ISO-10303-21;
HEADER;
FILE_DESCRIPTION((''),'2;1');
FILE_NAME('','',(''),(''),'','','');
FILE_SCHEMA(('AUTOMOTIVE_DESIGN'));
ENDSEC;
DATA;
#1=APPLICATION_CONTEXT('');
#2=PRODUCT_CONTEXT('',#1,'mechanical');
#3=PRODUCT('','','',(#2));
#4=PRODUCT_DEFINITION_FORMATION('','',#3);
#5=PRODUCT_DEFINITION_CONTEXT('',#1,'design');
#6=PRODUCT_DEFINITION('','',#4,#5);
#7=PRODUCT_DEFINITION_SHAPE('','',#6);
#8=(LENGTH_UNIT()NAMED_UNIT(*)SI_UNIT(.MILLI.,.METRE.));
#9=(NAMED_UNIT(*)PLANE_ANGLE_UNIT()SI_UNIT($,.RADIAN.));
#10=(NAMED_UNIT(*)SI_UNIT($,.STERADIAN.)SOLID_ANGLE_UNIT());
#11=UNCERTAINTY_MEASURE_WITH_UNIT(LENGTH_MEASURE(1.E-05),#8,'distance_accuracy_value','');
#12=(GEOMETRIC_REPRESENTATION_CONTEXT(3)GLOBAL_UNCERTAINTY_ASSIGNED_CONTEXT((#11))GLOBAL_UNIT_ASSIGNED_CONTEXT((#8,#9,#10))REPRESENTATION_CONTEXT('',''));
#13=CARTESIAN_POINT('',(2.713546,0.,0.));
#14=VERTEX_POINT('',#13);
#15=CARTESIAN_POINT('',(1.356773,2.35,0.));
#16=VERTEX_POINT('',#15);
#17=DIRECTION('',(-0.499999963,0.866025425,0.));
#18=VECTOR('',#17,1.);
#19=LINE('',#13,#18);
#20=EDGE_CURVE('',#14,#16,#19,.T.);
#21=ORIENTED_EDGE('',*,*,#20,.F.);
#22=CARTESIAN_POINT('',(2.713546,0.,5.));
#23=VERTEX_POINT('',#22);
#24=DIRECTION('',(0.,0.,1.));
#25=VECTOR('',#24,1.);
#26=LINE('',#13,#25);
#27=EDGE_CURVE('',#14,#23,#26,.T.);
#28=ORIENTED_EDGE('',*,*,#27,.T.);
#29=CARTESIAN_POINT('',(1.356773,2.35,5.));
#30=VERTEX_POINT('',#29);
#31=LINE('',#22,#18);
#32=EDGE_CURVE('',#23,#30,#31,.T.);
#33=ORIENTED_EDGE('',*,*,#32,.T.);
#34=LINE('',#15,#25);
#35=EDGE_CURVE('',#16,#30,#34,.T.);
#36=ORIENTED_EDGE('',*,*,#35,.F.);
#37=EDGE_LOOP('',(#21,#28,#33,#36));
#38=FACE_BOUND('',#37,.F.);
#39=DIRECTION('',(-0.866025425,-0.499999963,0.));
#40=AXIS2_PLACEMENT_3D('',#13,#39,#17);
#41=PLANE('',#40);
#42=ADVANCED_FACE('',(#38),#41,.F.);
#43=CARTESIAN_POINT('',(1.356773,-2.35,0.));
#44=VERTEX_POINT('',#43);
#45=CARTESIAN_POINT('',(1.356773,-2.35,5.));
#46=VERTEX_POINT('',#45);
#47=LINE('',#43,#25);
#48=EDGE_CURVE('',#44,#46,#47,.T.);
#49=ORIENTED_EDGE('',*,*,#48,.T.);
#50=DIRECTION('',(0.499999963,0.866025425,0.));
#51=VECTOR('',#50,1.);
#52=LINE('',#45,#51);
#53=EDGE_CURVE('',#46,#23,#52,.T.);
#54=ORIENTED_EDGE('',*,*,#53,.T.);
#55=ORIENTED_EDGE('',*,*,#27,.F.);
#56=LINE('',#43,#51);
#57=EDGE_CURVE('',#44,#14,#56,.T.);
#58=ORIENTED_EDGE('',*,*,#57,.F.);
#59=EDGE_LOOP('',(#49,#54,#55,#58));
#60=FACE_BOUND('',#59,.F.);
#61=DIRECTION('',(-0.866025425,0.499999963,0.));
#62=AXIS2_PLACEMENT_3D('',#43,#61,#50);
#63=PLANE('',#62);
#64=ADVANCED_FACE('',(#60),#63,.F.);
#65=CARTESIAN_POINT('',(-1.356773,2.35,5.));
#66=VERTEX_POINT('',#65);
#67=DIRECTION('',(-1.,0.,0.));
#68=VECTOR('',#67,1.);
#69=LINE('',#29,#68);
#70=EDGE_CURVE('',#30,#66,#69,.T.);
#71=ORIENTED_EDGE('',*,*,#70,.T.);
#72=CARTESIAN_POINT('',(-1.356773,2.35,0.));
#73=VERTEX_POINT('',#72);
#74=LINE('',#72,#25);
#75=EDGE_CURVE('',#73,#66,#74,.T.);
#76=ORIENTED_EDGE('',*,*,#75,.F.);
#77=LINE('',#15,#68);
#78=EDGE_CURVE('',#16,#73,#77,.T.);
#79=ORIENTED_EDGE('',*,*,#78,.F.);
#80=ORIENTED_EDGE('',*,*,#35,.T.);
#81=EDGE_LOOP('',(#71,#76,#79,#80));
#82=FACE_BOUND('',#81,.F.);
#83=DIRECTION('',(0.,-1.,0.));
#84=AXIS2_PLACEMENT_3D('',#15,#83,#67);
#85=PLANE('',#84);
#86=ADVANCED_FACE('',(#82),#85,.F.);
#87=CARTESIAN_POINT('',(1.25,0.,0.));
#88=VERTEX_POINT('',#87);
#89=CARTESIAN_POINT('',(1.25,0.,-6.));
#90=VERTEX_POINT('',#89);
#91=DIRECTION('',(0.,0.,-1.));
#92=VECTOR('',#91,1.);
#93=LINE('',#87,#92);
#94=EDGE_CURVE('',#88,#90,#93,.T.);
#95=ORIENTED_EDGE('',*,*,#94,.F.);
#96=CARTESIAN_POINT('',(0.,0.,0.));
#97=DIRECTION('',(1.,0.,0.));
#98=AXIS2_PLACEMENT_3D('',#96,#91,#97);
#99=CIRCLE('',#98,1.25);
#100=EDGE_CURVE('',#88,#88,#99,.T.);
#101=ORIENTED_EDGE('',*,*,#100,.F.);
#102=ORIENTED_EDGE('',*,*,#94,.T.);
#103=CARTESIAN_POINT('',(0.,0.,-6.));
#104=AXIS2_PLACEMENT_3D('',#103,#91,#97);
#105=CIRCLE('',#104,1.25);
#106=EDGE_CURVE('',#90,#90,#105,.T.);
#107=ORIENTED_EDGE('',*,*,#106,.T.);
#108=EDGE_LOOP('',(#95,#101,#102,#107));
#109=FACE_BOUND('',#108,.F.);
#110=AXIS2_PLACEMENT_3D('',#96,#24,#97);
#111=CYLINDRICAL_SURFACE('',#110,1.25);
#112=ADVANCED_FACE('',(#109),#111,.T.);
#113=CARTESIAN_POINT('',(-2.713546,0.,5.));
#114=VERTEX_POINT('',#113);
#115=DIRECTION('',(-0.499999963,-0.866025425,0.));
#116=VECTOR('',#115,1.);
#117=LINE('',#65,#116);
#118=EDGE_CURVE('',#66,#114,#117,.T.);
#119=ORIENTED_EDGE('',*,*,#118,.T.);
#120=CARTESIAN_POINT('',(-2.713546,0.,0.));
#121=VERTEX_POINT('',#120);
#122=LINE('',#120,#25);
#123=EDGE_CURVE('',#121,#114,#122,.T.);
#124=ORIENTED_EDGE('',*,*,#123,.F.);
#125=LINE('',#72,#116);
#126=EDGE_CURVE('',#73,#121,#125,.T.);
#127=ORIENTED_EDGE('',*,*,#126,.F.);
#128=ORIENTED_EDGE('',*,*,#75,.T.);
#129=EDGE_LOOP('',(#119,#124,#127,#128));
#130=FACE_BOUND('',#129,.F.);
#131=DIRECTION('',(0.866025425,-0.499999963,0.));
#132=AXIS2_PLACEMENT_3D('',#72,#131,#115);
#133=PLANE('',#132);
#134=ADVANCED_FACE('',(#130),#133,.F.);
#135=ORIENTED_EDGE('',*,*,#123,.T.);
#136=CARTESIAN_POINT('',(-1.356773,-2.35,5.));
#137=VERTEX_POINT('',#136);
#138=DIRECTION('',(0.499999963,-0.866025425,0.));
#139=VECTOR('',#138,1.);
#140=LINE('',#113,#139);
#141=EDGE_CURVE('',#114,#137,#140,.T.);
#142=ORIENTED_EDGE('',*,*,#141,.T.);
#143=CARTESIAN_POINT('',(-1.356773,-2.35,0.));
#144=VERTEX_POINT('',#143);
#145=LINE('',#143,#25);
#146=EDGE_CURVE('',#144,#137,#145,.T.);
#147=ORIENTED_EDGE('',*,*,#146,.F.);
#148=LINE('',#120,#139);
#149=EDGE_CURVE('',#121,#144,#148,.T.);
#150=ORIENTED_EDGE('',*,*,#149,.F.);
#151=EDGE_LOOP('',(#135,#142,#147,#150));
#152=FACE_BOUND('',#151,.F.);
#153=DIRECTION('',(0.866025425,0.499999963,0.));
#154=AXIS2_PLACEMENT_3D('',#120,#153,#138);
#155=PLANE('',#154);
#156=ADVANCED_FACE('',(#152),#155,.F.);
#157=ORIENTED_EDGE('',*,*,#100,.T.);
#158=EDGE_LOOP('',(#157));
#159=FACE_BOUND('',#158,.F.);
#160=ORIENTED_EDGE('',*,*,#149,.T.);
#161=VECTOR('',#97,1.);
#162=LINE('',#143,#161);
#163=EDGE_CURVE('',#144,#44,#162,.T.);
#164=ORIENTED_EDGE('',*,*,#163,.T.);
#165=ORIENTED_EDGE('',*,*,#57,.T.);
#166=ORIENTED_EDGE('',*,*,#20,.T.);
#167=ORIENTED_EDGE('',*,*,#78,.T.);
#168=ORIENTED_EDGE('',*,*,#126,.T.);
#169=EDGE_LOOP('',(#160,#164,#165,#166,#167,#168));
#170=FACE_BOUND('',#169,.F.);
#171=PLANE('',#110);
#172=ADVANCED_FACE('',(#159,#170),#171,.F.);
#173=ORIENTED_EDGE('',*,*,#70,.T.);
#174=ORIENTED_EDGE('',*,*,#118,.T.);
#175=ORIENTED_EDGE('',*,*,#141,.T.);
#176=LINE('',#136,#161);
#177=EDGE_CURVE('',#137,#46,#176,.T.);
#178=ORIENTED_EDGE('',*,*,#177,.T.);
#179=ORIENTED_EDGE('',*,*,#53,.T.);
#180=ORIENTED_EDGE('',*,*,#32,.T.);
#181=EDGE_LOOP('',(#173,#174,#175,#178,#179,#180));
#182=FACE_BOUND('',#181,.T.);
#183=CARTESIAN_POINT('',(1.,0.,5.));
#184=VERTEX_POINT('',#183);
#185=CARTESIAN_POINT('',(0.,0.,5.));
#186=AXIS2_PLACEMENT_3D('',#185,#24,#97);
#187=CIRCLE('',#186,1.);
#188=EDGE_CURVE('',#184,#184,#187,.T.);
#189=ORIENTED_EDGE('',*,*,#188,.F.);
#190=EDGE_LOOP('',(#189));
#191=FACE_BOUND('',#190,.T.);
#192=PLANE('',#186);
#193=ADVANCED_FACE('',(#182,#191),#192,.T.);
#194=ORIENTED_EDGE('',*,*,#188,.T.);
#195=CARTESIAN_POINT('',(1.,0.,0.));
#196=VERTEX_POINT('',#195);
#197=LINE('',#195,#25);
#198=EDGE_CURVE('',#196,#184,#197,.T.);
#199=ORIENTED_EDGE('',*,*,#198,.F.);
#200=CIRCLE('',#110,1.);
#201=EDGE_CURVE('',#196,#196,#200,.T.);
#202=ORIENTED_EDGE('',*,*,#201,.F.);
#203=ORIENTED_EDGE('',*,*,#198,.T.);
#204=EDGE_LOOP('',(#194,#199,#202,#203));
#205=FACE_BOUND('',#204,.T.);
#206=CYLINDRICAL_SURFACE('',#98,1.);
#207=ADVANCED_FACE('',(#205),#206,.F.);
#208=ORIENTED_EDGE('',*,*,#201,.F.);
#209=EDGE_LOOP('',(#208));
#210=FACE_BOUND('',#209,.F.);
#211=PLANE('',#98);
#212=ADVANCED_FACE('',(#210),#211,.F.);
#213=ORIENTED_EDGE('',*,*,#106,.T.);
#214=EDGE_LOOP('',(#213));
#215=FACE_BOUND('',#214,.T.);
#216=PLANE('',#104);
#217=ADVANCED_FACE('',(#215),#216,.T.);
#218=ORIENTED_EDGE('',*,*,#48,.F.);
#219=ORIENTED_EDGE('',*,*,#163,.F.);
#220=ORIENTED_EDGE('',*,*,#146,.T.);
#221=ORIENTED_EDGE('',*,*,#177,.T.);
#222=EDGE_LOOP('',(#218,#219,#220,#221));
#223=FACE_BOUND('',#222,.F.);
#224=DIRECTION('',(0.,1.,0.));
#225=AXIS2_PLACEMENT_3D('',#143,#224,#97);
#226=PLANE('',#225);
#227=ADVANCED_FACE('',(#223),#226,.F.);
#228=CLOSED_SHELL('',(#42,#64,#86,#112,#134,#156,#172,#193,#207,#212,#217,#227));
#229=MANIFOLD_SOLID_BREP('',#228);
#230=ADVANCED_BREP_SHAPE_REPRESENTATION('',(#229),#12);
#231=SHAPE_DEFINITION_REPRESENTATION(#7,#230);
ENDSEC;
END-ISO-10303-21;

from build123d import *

# Parameters (mm, degrees)
SKETCH_R     = 1
PAD_DEPTH    = 5
SKETCH001_R  = 1.25
PAD001_DEPTH = 6


with BuildPart() as part:
    # Sketch → Pad (new body)
    with BuildSketch(Plane.XY):
        Polygon((1.356773, -2.35), (2.713546, 0), (1.356773, 2.35), (-1.356773, 2.35), (-2.713546, 0), (-1.356773, -2.35), align=None)
        Circle(SKETCH_R, mode=Mode.SUBTRACT)
    extrude(amount=PAD_DEPTH)

    # Sketch001 (on Face8 of Pad) → Pad001 (join)
    with BuildSketch(Plane(origin=(0, 0, 0), x_dir=(1, 0, 0), z_dir=(0, 0, -1))):
        Circle(SKETCH001_R)
    extrude(amount=PAD001_DEPTH)


solid = part.part
